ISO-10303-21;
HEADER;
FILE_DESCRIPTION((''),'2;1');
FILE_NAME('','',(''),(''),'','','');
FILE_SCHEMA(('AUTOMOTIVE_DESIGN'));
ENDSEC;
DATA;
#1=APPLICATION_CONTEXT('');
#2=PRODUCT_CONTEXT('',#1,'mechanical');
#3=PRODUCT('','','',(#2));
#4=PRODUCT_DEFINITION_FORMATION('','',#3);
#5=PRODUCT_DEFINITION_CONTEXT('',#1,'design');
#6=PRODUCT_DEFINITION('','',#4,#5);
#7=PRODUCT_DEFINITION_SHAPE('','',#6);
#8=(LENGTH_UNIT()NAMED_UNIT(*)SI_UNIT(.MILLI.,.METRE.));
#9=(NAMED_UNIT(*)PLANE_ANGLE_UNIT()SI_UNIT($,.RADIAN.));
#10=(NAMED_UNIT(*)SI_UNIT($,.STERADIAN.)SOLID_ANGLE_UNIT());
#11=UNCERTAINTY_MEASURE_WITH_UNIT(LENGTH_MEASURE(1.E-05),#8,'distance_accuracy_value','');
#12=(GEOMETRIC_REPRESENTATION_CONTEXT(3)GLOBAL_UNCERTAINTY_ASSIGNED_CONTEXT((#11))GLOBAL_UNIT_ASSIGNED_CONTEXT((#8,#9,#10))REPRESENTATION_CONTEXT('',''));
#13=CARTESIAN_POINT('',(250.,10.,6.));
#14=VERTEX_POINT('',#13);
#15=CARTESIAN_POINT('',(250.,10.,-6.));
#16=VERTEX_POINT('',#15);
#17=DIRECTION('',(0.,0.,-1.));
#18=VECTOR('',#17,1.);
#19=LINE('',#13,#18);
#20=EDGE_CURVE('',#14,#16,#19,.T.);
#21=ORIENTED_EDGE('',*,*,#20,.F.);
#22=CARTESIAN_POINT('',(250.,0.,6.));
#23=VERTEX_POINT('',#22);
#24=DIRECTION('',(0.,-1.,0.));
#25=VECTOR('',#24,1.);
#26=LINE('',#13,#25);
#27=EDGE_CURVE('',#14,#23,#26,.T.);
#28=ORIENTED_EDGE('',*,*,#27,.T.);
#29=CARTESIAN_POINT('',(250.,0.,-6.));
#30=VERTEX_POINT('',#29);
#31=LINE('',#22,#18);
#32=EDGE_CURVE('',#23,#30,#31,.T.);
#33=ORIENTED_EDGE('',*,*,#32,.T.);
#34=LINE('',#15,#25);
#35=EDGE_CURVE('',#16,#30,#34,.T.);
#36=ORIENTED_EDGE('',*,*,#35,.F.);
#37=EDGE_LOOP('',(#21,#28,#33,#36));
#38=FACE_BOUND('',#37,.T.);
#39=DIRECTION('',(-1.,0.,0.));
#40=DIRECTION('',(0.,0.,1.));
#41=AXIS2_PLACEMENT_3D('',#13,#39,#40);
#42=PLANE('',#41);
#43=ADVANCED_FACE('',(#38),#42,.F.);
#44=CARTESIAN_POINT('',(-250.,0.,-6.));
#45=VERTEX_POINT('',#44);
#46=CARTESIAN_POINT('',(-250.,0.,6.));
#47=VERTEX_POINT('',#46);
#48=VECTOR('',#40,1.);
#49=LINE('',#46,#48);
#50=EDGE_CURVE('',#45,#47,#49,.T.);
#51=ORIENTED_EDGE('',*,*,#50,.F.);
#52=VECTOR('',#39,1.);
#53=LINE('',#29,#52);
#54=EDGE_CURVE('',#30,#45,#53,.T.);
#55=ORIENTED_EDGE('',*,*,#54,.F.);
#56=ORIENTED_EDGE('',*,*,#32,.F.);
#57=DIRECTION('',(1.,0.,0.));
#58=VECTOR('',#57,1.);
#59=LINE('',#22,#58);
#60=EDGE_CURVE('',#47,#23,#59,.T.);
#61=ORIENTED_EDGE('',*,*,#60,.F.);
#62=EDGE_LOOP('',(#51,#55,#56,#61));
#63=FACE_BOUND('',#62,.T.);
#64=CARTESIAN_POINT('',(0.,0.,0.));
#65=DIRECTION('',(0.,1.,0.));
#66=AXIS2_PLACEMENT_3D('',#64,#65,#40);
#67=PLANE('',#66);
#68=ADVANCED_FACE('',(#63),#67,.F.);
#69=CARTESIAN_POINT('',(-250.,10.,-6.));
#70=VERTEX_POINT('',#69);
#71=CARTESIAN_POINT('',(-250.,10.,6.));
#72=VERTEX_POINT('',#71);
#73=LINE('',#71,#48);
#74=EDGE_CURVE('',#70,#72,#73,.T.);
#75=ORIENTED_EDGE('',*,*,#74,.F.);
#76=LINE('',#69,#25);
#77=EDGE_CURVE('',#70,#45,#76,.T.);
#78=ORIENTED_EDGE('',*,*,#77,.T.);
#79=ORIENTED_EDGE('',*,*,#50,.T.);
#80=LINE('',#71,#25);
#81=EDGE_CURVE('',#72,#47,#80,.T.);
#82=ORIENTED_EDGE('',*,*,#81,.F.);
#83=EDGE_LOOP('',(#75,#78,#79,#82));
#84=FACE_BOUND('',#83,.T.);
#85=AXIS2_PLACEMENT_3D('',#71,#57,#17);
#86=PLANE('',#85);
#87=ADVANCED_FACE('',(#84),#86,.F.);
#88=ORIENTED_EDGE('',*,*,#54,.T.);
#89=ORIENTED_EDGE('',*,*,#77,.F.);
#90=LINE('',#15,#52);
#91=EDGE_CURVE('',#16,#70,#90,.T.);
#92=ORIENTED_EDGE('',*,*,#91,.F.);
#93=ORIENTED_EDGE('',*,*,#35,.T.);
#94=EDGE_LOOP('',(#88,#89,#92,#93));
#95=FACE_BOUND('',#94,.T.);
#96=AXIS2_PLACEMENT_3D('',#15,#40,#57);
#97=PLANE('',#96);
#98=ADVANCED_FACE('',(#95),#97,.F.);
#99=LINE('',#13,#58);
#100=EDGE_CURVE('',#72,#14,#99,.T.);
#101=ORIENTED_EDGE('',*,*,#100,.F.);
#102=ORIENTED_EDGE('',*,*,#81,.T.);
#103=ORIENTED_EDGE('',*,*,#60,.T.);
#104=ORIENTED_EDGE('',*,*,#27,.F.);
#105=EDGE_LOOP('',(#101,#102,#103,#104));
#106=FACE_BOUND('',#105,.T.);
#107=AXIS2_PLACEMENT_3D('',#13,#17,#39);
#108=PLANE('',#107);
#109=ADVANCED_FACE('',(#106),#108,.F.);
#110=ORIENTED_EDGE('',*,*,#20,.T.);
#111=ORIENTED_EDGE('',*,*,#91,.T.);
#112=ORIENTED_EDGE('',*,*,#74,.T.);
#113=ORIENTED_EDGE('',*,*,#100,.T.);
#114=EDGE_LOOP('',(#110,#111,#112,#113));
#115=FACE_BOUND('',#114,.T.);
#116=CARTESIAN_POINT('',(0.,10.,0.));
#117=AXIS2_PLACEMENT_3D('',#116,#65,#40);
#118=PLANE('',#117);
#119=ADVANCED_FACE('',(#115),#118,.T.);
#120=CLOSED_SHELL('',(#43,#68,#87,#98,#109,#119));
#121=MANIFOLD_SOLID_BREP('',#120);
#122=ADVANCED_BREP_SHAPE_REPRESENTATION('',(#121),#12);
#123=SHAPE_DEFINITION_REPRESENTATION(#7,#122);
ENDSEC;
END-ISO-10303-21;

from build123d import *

# Parameters (mm, degrees)
SKETCH1_W           = 500
SKETCH1_H           = 12
BOSS_EXTRUDE1_DEPTH = 10


with BuildPart() as part:
    # Sketch1 → Boss-Extrude1 (new body)
    with BuildSketch(Plane(origin=(0, 0, 0), x_dir=(1, 0, 0), z_dir=(0, 1, 0))):
        Rectangle(SKETCH1_W, SKETCH1_H)
    extrude(amount=BOSS_EXTRUDE1_DEPTH)


solid = part.part
